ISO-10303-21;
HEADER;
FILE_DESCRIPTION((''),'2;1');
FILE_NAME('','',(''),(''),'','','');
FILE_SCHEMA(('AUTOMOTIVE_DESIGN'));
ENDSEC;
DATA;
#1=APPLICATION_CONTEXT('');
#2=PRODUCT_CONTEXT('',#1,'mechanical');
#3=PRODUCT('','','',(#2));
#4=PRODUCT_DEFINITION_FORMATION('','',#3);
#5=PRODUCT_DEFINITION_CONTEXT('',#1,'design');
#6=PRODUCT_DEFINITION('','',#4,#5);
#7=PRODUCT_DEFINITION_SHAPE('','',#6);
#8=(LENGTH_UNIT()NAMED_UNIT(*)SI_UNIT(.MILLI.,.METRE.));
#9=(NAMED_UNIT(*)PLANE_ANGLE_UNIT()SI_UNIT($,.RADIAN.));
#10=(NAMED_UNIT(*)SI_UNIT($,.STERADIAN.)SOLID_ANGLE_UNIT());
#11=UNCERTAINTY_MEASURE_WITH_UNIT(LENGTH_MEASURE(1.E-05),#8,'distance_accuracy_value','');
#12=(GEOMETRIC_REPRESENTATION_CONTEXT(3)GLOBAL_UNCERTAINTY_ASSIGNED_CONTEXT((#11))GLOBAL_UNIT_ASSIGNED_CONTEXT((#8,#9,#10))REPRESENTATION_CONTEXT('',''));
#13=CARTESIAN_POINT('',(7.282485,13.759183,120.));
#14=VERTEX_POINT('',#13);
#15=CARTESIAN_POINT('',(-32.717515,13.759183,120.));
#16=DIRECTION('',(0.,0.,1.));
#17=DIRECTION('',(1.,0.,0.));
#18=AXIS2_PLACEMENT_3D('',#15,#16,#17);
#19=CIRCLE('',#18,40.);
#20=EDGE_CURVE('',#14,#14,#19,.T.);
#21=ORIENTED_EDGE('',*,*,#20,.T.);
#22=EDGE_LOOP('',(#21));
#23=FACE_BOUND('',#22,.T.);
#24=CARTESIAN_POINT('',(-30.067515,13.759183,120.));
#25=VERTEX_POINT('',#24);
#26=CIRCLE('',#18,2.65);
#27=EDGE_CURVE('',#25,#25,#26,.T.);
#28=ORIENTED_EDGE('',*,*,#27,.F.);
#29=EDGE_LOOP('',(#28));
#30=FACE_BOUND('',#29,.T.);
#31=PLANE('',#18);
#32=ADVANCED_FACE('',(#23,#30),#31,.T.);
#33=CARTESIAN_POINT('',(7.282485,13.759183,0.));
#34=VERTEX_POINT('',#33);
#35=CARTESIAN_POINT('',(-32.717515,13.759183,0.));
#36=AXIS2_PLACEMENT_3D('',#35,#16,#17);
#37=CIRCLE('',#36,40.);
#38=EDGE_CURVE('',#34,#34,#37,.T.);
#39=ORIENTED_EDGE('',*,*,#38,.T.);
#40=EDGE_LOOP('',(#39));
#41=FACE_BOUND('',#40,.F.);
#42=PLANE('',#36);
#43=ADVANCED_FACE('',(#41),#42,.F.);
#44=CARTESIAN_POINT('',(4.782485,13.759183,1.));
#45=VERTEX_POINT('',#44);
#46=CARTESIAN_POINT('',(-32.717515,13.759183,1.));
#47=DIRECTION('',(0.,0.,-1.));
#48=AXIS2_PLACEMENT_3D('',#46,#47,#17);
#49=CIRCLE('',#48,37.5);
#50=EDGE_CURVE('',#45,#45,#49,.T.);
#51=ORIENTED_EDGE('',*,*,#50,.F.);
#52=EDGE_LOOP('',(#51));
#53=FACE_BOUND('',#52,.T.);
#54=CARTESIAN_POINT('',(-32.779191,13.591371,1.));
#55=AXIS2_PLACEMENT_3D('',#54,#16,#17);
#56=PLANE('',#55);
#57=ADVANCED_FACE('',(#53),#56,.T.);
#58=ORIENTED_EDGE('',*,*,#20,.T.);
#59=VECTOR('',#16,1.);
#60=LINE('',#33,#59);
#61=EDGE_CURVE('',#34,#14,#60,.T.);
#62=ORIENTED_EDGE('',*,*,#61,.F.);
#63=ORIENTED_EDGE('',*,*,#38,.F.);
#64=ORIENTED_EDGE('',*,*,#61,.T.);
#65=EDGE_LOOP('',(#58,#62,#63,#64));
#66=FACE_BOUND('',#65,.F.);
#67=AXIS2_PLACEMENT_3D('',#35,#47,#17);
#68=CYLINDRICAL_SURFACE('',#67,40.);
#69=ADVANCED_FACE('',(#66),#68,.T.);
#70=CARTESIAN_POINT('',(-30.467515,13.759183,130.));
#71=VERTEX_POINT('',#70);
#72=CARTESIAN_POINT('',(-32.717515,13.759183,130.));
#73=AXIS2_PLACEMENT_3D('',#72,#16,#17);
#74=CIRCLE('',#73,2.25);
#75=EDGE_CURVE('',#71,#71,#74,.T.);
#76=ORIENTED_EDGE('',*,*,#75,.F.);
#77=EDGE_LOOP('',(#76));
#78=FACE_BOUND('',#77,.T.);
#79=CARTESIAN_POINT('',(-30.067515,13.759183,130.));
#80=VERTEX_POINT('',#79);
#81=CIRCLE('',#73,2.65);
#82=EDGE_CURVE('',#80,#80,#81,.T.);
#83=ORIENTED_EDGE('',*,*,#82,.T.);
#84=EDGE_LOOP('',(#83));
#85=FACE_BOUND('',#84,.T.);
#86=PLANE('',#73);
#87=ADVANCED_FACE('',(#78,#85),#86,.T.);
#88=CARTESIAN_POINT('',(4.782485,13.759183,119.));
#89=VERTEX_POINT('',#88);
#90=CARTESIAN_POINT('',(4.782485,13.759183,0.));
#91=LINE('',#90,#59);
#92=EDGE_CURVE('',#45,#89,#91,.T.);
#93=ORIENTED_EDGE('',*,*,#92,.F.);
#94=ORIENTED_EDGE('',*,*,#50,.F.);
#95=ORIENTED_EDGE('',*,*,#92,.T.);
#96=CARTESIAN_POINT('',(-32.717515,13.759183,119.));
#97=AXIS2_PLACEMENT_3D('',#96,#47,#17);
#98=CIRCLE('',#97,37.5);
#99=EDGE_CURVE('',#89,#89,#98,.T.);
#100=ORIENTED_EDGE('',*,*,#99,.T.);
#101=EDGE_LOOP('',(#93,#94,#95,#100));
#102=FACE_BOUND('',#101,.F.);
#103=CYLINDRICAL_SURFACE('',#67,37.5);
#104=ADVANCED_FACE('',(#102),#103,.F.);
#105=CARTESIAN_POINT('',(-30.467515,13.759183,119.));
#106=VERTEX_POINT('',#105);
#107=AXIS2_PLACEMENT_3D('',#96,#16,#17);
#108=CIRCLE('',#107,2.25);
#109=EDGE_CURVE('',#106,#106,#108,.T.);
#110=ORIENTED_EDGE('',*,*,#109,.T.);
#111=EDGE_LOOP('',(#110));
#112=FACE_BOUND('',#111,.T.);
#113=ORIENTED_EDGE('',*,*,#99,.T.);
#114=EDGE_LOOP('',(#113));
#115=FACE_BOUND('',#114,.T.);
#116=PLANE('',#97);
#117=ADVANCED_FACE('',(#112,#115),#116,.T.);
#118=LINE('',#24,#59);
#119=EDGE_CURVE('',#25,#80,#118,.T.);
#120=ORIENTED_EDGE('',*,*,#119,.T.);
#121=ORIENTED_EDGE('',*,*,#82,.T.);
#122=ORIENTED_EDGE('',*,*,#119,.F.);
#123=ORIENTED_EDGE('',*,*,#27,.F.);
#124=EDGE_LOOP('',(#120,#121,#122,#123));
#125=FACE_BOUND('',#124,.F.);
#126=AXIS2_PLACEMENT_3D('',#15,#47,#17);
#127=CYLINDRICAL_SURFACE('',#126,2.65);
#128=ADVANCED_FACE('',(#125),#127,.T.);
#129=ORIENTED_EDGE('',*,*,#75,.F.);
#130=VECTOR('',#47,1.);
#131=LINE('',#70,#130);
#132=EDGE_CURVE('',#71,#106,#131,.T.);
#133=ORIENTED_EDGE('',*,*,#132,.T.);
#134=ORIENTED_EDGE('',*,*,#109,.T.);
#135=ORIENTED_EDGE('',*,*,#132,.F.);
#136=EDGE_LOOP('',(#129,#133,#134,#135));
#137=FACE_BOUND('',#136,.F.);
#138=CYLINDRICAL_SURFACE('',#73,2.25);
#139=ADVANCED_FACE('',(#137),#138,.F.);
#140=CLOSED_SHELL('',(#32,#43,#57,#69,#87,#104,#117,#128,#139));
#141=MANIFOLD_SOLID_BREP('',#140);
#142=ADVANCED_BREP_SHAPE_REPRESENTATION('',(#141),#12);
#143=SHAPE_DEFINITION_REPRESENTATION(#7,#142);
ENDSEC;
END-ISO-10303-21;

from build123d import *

# Parameters (mm, degrees)
F0_R     = 40
F1_DEPTH = 120
F2_R     = 2.65
F3_DEPTH = 10
F4_R     = 2.25
F5_DEPTH = 25
F6_R     = 37.5
F7_DEPTH = 119
F8_R     = 39.694818
F9_DEPTH = 1


with BuildPart() as f1:
    # F0 (on Top) → F1 (new body)
    with BuildSketch(Plane.XY):
        with Locations((-32.717515, 13.759183)):
            Circle(F0_R)
    extrude(amount=F1_DEPTH)

    # F2 (on face) → F3 (join)
    with BuildSketch(Plane.XY.offset(120)):
        with Locations((-32.717515, 13.759183)):
            Circle(F2_R)
    extrude(amount=F3_DEPTH)

    # F4 (on face) → F5 (cut)
    with BuildSketch(Plane.XY.offset(130)):
        with Locations((-32.717515, 13.759183)):
            Circle(F4_R)
    extrude(amount=-F5_DEPTH, mode=Mode.SUBTRACT)

    # F6 (on face) → F7 (cut)
    with BuildSketch(Plane(origin=(0, 0, 0), x_dir=(1, 0, 0), z_dir=(0, 0, -1))):
        with Locations((-32.717515, -13.759183)):
            Circle(F6_R)
    extrude(amount=-F7_DEPTH, mode=Mode.SUBTRACT)

    # F8 (on Top) → F9 (join)
    with BuildSketch(Plane.XY):
        with Locations((-32.779191, 13.591371)):
            Circle(F8_R)
    extrude(amount=F9_DEPTH)


solid = f1.part
